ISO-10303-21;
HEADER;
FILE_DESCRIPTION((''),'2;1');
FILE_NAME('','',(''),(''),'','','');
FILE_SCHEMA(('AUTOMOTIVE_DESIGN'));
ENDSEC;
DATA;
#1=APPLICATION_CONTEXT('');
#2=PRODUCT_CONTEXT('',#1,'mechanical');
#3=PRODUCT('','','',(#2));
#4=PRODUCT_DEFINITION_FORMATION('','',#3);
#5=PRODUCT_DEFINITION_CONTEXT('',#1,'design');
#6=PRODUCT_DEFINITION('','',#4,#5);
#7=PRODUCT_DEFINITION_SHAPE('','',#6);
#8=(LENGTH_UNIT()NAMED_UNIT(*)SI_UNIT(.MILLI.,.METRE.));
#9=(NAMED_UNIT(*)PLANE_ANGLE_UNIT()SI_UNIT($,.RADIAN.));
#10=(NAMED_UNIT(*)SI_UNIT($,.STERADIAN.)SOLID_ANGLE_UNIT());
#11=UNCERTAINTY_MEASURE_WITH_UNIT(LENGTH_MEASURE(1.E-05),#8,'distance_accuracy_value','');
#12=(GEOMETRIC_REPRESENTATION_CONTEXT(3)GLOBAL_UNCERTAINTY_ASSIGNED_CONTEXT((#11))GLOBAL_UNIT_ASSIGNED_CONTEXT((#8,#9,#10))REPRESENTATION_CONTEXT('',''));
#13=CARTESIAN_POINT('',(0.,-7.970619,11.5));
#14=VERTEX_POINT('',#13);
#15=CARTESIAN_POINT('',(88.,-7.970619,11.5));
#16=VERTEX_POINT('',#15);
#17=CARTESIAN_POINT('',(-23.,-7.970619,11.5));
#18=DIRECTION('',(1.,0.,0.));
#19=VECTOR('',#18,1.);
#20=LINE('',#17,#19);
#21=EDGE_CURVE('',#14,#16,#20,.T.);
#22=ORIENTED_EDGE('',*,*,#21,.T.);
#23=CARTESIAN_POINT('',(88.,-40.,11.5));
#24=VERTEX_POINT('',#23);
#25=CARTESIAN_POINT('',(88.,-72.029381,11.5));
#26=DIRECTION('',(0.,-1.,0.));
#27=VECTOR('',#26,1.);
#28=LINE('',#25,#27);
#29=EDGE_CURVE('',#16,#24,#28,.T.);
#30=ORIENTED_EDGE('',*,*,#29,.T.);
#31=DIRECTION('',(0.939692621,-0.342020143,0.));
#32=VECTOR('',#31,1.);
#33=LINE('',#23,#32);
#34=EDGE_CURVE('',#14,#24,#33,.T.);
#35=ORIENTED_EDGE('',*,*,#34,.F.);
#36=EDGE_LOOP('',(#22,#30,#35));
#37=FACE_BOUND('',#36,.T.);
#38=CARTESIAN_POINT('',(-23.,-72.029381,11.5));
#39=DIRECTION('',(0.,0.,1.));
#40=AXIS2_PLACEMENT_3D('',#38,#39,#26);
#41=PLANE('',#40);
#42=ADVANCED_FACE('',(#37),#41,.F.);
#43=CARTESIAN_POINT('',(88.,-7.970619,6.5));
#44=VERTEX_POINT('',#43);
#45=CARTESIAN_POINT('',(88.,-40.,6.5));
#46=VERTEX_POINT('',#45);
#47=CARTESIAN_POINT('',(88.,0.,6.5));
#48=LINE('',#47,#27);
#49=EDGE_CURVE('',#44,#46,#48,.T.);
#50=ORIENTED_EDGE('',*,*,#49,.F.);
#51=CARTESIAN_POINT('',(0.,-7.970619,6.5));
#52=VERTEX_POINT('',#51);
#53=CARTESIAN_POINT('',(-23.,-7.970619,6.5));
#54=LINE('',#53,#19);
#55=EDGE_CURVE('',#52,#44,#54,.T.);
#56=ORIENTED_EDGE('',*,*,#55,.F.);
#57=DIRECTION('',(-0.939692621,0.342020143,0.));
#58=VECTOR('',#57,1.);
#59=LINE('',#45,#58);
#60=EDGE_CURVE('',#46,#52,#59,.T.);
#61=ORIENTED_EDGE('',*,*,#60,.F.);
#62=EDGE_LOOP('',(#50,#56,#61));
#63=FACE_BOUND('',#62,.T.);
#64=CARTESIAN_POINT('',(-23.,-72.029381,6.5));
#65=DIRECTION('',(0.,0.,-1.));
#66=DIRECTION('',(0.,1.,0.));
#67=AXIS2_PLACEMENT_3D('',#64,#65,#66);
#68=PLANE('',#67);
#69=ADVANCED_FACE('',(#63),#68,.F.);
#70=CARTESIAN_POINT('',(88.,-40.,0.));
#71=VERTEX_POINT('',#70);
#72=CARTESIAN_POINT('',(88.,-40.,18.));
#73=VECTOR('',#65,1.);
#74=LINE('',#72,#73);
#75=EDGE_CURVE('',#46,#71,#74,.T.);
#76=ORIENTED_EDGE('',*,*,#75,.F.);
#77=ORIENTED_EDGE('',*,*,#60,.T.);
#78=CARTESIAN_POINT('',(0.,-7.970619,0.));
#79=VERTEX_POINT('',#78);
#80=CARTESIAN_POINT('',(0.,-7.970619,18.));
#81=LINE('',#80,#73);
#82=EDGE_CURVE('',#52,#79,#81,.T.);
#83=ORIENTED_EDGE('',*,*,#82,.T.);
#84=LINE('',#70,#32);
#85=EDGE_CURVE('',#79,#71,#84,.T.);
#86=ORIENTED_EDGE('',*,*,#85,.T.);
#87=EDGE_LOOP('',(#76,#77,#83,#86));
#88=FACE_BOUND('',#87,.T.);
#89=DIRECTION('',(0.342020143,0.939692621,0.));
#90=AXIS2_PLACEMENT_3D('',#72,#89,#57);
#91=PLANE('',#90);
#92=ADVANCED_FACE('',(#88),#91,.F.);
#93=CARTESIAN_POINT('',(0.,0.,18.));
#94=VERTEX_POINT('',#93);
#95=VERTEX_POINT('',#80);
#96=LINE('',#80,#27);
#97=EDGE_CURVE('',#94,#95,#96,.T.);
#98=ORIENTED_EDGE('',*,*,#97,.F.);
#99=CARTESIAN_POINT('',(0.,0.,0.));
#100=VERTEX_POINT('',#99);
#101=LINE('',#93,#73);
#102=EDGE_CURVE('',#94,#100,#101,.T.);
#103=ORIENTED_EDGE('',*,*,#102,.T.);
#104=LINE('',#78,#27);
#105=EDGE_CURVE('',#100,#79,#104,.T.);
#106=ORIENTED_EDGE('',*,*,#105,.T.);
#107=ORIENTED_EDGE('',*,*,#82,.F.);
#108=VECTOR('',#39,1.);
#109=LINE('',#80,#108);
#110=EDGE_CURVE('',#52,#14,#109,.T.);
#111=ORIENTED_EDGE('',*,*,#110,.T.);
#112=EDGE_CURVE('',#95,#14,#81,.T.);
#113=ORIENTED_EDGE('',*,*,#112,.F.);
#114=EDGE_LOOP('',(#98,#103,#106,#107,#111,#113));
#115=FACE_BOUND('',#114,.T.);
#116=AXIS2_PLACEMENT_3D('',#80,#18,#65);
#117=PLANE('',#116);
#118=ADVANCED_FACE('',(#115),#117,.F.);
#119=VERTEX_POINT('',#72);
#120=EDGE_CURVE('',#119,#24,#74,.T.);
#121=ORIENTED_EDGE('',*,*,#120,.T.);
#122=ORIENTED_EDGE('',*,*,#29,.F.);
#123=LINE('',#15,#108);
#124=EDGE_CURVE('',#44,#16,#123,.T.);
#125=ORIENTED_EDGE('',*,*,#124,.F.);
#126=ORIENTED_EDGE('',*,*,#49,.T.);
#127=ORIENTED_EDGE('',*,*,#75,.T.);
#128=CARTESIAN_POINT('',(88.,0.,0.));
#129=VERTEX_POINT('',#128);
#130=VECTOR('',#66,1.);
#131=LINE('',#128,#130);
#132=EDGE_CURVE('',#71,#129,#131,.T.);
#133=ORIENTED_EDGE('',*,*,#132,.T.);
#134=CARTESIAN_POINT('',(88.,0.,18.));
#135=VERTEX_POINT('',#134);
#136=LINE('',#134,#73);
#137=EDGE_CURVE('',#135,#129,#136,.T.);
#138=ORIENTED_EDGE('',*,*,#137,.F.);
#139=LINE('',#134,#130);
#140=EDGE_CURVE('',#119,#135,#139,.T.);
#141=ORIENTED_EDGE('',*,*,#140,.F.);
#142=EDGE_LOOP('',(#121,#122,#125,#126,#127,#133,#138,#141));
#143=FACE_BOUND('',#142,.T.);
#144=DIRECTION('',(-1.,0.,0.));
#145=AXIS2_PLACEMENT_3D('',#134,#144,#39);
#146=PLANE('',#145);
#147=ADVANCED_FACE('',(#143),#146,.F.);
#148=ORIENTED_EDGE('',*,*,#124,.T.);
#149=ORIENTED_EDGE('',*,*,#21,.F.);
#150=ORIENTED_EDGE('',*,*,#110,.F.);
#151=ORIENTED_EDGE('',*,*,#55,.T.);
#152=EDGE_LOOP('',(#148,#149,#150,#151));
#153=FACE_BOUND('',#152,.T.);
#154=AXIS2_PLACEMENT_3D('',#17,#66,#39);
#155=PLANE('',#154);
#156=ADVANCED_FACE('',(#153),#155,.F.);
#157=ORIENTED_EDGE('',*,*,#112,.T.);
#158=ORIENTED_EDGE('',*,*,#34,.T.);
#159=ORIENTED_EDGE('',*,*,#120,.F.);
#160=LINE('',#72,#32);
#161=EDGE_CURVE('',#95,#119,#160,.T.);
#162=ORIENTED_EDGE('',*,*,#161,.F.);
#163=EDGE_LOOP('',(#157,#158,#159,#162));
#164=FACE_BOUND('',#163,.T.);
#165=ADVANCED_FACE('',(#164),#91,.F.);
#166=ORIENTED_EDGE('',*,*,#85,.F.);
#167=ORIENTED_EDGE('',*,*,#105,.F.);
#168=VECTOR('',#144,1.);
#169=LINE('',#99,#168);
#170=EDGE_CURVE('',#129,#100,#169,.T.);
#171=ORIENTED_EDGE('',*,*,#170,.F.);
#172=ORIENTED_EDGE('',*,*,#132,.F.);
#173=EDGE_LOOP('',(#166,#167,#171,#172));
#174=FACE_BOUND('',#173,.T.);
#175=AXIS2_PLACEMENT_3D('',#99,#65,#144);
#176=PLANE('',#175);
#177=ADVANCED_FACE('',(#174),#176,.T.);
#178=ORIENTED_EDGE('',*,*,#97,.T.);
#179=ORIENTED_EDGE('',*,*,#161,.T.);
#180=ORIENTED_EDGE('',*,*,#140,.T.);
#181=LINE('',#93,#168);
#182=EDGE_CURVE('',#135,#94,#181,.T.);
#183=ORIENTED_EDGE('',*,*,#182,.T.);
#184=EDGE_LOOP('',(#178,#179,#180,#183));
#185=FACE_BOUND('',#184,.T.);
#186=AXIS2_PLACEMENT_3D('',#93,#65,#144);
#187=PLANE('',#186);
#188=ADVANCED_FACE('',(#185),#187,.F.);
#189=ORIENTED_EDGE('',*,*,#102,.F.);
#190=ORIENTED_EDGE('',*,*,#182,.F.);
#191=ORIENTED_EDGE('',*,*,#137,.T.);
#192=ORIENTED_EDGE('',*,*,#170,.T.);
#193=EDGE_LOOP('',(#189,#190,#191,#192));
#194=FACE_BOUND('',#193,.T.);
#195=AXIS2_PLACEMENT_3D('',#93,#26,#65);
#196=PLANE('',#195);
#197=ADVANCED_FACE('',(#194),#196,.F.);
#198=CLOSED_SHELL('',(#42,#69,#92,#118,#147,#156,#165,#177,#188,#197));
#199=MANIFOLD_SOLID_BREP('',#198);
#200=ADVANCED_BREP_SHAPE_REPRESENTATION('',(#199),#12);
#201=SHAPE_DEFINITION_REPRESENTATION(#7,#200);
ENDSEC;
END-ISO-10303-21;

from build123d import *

# Parameters (mm, degrees)
BOSS_EXTRUDE1_DEPTH = 18
SKETCH3_W           = 5
SKETCH3_H           = 64.05876123
CUT_EXTRUDE1_DEPTH  = 111


with BuildPart() as part:
    # Sketch1 → Boss-Extrude1 (new body)
    with BuildSketch(Plane.XY):
        Polygon((0, 0), (88, 0), (88, -40), (0, -7.970619385), align=None)
    extrude(amount=BOSS_EXTRUDE1_DEPTH)

    # Sketch3 → Cut-Extrude1 (cut)
    with BuildSketch(Plane(origin=(88, 0, 0), x_dir=(0, 0, -1), z_dir=(1, 0, 0))):
        with Locations((-9, -40)):
            Rectangle(SKETCH3_W, SKETCH3_H)
    extrude(amount=-CUT_EXTRUDE1_DEPTH, mode=Mode.SUBTRACT)


solid = part.part
